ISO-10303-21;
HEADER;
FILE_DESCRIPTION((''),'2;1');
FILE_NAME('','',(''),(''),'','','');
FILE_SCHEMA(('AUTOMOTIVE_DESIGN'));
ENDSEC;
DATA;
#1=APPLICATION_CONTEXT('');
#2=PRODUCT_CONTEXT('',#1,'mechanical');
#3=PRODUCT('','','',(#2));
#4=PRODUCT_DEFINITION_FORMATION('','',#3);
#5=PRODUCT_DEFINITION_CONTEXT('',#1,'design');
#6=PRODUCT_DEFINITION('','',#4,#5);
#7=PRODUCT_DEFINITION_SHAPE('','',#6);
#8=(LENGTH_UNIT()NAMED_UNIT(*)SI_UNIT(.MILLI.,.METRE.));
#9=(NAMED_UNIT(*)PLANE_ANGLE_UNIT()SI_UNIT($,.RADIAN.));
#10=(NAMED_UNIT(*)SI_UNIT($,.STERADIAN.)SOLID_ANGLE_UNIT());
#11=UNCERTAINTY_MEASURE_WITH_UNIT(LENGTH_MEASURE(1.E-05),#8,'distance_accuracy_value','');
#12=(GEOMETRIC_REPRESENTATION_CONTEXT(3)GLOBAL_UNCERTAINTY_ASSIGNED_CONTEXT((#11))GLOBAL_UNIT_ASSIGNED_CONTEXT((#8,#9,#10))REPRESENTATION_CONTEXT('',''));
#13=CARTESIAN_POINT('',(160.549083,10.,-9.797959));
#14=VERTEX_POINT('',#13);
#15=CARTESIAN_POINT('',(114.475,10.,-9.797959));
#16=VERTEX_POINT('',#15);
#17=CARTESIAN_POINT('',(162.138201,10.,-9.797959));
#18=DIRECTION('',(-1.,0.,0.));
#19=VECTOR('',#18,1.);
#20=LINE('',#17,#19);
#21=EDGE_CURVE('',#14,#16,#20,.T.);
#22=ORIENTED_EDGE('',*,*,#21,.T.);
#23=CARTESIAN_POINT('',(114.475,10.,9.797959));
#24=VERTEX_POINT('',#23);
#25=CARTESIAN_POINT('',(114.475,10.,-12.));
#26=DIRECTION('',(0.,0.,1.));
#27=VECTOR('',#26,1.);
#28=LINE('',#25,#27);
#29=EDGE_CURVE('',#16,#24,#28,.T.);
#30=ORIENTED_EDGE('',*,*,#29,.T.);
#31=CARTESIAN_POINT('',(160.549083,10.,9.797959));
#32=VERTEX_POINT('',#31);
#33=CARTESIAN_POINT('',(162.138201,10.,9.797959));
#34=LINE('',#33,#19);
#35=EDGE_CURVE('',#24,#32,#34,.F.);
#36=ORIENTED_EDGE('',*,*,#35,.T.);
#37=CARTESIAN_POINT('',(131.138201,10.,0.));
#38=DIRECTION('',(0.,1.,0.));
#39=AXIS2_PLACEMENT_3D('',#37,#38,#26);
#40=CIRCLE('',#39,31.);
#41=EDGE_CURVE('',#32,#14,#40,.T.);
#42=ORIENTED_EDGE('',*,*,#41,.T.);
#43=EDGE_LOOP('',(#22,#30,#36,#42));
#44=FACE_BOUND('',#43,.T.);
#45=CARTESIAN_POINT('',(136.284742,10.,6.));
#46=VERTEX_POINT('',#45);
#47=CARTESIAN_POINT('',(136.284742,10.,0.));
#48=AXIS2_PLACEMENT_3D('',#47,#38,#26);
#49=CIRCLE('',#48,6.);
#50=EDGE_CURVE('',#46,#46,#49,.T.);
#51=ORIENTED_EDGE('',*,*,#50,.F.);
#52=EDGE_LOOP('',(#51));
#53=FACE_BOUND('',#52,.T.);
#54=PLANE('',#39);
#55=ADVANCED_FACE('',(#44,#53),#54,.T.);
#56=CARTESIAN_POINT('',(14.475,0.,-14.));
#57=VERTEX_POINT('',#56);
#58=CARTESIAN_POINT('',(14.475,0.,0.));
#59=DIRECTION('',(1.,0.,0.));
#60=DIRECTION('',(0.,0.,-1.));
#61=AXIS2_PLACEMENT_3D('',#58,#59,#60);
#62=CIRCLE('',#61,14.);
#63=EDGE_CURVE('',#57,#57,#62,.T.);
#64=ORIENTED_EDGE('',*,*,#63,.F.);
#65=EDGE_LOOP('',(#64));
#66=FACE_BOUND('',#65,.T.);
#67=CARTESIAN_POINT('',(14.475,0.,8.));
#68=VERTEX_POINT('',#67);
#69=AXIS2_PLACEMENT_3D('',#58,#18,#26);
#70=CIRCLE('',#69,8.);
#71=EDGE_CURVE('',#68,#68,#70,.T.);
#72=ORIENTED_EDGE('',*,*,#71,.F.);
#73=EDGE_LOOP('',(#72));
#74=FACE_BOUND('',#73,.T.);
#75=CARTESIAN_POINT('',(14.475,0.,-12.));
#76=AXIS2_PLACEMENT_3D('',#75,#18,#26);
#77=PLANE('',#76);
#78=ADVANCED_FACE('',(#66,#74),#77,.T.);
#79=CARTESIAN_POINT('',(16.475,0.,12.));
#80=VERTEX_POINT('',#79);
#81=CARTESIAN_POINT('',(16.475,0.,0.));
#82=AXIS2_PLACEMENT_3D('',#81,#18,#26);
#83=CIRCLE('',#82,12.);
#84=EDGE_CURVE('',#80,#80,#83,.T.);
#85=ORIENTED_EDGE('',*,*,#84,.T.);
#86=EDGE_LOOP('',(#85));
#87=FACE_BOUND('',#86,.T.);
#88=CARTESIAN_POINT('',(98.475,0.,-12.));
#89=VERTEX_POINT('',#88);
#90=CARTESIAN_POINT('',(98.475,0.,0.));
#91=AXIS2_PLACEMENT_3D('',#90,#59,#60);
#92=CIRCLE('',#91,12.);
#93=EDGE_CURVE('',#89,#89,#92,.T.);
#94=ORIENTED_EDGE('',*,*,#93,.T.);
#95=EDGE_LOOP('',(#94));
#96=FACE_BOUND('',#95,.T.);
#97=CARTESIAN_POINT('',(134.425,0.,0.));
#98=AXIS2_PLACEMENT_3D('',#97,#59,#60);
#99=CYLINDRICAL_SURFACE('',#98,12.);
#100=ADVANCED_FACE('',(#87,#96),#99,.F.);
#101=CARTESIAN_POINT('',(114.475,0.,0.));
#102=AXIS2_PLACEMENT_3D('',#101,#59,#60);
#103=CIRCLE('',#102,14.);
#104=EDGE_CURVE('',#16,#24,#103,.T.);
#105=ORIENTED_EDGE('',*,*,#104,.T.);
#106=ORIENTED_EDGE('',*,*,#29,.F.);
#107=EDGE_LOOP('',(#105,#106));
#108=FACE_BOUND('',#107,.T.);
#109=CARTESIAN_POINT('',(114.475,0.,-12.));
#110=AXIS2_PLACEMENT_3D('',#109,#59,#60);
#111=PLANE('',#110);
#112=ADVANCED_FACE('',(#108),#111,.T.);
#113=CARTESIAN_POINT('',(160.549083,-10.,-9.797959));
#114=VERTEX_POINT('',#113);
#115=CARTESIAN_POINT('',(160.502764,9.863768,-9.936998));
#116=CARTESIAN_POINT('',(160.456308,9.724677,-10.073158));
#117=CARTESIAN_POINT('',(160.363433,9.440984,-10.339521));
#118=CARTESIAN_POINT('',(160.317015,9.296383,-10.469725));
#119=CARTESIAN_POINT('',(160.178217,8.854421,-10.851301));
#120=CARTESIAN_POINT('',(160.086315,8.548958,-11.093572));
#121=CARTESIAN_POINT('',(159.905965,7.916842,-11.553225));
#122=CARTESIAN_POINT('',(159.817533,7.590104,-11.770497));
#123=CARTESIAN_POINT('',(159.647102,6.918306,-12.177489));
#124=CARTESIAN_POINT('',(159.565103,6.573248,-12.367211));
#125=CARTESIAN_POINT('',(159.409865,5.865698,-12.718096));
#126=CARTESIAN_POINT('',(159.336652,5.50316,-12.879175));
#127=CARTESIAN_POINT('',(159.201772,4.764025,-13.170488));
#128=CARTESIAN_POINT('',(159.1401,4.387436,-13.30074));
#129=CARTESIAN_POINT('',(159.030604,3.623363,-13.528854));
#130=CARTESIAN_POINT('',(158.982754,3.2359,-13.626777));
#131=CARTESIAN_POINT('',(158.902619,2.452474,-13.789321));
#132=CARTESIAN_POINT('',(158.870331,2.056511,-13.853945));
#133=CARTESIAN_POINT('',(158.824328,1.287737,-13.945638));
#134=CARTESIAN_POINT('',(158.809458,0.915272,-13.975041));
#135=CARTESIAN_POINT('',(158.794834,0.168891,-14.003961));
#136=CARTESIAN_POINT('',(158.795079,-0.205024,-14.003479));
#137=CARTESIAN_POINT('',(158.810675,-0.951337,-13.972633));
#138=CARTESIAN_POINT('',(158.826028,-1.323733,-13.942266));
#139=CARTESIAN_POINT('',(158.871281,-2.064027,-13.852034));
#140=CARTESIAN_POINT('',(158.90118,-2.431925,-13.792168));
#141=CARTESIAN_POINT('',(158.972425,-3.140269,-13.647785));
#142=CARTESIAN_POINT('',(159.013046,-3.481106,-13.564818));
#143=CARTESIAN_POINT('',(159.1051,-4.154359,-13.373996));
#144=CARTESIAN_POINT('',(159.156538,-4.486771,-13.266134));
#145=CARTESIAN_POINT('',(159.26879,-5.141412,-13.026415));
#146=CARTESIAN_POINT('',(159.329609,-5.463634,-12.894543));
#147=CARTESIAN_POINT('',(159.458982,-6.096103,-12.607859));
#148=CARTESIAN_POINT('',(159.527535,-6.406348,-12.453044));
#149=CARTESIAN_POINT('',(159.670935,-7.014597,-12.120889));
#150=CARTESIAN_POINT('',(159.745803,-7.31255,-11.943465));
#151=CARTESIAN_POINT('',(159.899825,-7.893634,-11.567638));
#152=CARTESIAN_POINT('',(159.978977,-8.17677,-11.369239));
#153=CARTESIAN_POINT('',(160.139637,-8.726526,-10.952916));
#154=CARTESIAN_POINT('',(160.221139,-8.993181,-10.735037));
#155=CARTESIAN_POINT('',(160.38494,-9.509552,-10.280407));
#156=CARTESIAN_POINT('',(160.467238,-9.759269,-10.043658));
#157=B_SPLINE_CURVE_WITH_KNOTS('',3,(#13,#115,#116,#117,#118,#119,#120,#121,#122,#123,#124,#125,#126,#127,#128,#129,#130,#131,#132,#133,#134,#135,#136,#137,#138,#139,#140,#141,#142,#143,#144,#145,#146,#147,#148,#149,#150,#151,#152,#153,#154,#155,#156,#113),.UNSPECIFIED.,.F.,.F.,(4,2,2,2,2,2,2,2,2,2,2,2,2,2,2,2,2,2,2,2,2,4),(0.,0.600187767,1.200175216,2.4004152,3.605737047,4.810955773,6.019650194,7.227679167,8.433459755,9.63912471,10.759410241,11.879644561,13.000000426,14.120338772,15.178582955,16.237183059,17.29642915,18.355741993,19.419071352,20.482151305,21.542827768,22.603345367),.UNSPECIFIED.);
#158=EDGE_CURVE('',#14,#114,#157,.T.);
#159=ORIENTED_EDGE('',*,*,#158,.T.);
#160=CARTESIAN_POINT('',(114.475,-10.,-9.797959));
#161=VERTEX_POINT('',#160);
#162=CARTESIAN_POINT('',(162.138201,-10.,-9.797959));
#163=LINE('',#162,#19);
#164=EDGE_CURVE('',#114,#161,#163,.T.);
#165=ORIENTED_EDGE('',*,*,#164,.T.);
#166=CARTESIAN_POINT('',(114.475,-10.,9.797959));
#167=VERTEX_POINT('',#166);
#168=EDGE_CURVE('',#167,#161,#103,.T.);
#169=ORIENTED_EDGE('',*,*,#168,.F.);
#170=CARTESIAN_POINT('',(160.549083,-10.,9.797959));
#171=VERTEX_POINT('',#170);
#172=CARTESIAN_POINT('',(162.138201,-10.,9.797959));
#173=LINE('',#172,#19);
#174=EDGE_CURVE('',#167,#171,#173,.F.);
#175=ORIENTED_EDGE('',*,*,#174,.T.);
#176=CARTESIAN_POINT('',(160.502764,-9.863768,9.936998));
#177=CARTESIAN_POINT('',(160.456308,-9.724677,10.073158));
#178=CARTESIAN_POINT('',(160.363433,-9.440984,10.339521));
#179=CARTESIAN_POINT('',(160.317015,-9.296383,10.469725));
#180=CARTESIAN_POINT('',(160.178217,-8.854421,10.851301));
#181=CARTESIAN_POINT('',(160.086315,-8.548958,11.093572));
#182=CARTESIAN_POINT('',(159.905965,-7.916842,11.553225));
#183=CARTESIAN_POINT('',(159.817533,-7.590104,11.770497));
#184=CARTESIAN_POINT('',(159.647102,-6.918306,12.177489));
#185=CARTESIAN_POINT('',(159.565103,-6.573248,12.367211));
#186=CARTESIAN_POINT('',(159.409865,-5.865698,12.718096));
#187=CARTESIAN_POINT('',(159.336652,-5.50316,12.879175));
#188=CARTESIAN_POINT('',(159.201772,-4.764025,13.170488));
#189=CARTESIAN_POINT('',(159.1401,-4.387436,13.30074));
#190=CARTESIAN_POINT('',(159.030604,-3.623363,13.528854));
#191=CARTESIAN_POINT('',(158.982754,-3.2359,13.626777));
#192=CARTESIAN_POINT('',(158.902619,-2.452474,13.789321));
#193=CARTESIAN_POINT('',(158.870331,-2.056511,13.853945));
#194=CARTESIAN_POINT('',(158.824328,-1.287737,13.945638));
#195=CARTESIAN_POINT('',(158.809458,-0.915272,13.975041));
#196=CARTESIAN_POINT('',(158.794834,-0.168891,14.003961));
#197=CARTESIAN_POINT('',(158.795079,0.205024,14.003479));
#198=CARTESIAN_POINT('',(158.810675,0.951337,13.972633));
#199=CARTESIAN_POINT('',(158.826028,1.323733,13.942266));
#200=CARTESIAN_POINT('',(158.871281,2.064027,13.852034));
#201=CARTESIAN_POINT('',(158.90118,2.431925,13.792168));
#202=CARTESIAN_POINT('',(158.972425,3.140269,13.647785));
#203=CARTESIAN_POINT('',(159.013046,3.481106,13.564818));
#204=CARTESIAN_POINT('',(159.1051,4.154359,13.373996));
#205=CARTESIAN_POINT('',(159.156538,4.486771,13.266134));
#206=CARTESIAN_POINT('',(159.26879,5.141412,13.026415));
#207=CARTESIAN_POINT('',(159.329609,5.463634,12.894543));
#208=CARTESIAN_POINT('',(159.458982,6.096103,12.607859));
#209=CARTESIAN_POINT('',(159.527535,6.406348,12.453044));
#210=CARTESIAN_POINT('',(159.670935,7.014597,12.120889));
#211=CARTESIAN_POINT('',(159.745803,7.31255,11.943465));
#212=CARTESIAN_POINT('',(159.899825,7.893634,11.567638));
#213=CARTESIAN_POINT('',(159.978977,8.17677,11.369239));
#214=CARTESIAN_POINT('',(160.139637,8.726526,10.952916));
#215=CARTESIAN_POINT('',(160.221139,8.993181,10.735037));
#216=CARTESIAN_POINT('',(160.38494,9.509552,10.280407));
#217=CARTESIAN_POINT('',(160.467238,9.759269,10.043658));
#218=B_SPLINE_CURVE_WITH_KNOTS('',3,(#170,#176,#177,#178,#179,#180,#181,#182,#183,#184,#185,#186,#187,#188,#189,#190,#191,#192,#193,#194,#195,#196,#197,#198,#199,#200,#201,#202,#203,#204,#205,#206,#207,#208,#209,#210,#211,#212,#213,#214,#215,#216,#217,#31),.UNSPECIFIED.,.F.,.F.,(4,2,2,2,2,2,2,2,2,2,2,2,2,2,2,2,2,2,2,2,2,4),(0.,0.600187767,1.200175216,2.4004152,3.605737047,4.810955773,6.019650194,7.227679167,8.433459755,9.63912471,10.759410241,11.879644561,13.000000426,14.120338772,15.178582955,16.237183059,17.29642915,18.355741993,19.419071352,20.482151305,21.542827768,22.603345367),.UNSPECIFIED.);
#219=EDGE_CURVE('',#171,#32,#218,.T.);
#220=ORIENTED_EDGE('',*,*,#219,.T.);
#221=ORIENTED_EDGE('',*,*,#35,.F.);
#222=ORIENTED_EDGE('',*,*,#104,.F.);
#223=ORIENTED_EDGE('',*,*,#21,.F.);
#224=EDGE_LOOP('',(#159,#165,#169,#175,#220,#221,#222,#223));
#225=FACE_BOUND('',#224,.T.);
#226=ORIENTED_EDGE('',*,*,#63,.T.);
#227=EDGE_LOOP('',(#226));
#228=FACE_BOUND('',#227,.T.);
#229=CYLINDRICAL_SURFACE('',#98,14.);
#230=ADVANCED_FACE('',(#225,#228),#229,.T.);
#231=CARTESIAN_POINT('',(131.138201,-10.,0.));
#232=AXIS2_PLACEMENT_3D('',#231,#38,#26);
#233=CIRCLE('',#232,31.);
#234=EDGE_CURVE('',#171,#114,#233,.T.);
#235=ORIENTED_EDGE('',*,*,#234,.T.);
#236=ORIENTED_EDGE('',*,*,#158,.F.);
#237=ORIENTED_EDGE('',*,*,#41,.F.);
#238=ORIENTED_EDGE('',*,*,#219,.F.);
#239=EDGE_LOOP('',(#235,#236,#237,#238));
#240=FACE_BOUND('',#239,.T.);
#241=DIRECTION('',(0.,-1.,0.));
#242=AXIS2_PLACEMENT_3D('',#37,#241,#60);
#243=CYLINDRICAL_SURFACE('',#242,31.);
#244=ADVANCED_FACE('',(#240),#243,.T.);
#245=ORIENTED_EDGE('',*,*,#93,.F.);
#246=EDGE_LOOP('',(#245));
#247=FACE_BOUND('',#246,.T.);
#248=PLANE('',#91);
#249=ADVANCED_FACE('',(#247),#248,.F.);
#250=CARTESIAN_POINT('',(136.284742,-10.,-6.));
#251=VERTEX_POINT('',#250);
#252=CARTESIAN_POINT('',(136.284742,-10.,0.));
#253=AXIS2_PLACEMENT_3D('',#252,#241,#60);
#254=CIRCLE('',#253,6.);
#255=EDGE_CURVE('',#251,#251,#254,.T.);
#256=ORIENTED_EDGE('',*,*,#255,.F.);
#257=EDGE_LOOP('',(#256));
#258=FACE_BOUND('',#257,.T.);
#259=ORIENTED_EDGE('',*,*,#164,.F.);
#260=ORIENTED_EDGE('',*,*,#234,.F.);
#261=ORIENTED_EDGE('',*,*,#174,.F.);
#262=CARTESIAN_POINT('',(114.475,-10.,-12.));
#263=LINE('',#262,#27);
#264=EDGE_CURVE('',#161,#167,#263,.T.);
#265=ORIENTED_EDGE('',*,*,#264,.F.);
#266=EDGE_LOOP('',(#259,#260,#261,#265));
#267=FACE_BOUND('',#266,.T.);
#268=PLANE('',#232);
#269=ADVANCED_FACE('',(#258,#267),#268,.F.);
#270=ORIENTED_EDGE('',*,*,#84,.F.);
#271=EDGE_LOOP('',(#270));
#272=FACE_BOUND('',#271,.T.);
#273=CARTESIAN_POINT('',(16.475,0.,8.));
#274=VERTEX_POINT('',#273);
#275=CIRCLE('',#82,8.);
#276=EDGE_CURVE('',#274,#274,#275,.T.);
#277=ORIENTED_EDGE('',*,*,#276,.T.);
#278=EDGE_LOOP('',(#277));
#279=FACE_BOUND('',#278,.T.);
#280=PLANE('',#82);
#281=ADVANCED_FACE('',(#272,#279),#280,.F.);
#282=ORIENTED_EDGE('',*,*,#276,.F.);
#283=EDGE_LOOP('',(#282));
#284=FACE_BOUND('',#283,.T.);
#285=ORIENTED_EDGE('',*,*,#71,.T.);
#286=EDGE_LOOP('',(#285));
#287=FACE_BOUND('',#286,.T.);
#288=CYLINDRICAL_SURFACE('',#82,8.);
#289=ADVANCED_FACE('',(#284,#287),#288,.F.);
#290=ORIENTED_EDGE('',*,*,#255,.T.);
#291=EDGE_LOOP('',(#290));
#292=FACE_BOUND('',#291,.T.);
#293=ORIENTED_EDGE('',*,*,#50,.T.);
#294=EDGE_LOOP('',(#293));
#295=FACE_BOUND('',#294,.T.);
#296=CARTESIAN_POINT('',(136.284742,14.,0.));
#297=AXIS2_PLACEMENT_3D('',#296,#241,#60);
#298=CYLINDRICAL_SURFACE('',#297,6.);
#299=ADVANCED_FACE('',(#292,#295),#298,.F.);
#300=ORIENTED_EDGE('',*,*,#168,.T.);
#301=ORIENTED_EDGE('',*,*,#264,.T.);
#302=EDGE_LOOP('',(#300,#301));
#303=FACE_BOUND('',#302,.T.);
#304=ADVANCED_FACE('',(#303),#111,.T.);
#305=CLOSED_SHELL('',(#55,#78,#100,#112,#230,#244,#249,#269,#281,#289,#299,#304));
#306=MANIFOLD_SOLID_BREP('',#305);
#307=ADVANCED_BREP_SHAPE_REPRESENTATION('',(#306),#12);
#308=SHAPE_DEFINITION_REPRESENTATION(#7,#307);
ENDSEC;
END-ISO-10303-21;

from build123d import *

# Parameters (mm, degrees)
SKETCH1_W           = 100
SKETCH1_H           = 2
BOSS_EXTRUDE1_START = -16
SKETCH2_R           = 12
BOSS_EXTRUDE1_DEPTH = 16
SKETCH3_R           = 31
BOSS_EXTRUDE2_DEPTH = 10
SKETCH4_OUTSIDE_W   = 96.516
SKETCH4_OUTSIDE_H   = 62.516
SKETCH4_OUTSIDE_R   = 14
CUT_EXTRUDE1_DEPTH  = 152.530264345
SKETCH5_R           = 6
CUT_EXTRUDE2_DEPTH  = 165.501660515
SKETCH6_R           = 12
SKETCH6_R_2         = 8
BOSS_EXTRUDE3_DEPTH = 2


with BuildPart() as part:
    # Sketch1 → Revolve1 (revolve)
    with BuildSketch(Plane(origin=(0, 0, 0), x_dir=(1, 0, 0), z_dir=(0, 1, 0))):
        with Locations((64.475, 13)):
            Rectangle(SKETCH1_W, SKETCH1_H)
    revolve(axis=Axis((134.425, 0, 0), (-1, 0, 0)))

    # Sketch2 → Boss-Extrude1 (add)
    with BuildSketch(Plane(origin=(114.475, 0, 0), x_dir=(0, 0, -1), z_dir=(1, 0, 0)).offset(BOSS_EXTRUDE1_START)):
        Circle(SKETCH2_R)
    extrude(amount=BOSS_EXTRUDE1_DEPTH)

    # Sketch3 → Boss-Extrude2 (add, symmetric)
    with BuildSketch(Plane(origin=(0, 0, 0), x_dir=(1, 0, 0), z_dir=(0, 1, 0))):
        with Locations((131.13820115, 0)):
            Circle(SKETCH3_R)
    extrude(amount=BOSS_EXTRUDE2_DEPTH, both=True)

    # Sketch4 outside → Cut-Extrude1 (cut, through all)
    with BuildSketch(Plane.ZY.offset(-14.475)):
        Rectangle(SKETCH4_OUTSIDE_W, SKETCH4_OUTSIDE_H)
        with Locations(Location((0, 0, 0), (0, 0, 180))):
            Circle(SKETCH4_OUTSIDE_R, mode=Mode.SUBTRACT)
    extrude(amount=-CUT_EXTRUDE1_DEPTH, mode=Mode.SUBTRACT)

    # Sketch5 → Cut-Extrude2 (cut, through all)
    with BuildSketch(Plane.XZ.offset(10)):
        with Locations(Location((136.284742261, 0, 0), (0, 0, 270))):
            Circle(SKETCH5_R)
    extrude(amount=-CUT_EXTRUDE2_DEPTH, mode=Mode.SUBTRACT)

    # Sketch6 → Boss-Extrude3 (add)
    with BuildSketch(Plane.ZY.offset(-14.475)):
        with Locations(Location((0, 0, 0), (0, 0, 180))):
            Circle(SKETCH6_R)
        Circle(SKETCH6_R_2, mode=Mode.SUBTRACT)
    extrude(amount=-BOSS_EXTRUDE3_DEPTH)


solid = part.part
